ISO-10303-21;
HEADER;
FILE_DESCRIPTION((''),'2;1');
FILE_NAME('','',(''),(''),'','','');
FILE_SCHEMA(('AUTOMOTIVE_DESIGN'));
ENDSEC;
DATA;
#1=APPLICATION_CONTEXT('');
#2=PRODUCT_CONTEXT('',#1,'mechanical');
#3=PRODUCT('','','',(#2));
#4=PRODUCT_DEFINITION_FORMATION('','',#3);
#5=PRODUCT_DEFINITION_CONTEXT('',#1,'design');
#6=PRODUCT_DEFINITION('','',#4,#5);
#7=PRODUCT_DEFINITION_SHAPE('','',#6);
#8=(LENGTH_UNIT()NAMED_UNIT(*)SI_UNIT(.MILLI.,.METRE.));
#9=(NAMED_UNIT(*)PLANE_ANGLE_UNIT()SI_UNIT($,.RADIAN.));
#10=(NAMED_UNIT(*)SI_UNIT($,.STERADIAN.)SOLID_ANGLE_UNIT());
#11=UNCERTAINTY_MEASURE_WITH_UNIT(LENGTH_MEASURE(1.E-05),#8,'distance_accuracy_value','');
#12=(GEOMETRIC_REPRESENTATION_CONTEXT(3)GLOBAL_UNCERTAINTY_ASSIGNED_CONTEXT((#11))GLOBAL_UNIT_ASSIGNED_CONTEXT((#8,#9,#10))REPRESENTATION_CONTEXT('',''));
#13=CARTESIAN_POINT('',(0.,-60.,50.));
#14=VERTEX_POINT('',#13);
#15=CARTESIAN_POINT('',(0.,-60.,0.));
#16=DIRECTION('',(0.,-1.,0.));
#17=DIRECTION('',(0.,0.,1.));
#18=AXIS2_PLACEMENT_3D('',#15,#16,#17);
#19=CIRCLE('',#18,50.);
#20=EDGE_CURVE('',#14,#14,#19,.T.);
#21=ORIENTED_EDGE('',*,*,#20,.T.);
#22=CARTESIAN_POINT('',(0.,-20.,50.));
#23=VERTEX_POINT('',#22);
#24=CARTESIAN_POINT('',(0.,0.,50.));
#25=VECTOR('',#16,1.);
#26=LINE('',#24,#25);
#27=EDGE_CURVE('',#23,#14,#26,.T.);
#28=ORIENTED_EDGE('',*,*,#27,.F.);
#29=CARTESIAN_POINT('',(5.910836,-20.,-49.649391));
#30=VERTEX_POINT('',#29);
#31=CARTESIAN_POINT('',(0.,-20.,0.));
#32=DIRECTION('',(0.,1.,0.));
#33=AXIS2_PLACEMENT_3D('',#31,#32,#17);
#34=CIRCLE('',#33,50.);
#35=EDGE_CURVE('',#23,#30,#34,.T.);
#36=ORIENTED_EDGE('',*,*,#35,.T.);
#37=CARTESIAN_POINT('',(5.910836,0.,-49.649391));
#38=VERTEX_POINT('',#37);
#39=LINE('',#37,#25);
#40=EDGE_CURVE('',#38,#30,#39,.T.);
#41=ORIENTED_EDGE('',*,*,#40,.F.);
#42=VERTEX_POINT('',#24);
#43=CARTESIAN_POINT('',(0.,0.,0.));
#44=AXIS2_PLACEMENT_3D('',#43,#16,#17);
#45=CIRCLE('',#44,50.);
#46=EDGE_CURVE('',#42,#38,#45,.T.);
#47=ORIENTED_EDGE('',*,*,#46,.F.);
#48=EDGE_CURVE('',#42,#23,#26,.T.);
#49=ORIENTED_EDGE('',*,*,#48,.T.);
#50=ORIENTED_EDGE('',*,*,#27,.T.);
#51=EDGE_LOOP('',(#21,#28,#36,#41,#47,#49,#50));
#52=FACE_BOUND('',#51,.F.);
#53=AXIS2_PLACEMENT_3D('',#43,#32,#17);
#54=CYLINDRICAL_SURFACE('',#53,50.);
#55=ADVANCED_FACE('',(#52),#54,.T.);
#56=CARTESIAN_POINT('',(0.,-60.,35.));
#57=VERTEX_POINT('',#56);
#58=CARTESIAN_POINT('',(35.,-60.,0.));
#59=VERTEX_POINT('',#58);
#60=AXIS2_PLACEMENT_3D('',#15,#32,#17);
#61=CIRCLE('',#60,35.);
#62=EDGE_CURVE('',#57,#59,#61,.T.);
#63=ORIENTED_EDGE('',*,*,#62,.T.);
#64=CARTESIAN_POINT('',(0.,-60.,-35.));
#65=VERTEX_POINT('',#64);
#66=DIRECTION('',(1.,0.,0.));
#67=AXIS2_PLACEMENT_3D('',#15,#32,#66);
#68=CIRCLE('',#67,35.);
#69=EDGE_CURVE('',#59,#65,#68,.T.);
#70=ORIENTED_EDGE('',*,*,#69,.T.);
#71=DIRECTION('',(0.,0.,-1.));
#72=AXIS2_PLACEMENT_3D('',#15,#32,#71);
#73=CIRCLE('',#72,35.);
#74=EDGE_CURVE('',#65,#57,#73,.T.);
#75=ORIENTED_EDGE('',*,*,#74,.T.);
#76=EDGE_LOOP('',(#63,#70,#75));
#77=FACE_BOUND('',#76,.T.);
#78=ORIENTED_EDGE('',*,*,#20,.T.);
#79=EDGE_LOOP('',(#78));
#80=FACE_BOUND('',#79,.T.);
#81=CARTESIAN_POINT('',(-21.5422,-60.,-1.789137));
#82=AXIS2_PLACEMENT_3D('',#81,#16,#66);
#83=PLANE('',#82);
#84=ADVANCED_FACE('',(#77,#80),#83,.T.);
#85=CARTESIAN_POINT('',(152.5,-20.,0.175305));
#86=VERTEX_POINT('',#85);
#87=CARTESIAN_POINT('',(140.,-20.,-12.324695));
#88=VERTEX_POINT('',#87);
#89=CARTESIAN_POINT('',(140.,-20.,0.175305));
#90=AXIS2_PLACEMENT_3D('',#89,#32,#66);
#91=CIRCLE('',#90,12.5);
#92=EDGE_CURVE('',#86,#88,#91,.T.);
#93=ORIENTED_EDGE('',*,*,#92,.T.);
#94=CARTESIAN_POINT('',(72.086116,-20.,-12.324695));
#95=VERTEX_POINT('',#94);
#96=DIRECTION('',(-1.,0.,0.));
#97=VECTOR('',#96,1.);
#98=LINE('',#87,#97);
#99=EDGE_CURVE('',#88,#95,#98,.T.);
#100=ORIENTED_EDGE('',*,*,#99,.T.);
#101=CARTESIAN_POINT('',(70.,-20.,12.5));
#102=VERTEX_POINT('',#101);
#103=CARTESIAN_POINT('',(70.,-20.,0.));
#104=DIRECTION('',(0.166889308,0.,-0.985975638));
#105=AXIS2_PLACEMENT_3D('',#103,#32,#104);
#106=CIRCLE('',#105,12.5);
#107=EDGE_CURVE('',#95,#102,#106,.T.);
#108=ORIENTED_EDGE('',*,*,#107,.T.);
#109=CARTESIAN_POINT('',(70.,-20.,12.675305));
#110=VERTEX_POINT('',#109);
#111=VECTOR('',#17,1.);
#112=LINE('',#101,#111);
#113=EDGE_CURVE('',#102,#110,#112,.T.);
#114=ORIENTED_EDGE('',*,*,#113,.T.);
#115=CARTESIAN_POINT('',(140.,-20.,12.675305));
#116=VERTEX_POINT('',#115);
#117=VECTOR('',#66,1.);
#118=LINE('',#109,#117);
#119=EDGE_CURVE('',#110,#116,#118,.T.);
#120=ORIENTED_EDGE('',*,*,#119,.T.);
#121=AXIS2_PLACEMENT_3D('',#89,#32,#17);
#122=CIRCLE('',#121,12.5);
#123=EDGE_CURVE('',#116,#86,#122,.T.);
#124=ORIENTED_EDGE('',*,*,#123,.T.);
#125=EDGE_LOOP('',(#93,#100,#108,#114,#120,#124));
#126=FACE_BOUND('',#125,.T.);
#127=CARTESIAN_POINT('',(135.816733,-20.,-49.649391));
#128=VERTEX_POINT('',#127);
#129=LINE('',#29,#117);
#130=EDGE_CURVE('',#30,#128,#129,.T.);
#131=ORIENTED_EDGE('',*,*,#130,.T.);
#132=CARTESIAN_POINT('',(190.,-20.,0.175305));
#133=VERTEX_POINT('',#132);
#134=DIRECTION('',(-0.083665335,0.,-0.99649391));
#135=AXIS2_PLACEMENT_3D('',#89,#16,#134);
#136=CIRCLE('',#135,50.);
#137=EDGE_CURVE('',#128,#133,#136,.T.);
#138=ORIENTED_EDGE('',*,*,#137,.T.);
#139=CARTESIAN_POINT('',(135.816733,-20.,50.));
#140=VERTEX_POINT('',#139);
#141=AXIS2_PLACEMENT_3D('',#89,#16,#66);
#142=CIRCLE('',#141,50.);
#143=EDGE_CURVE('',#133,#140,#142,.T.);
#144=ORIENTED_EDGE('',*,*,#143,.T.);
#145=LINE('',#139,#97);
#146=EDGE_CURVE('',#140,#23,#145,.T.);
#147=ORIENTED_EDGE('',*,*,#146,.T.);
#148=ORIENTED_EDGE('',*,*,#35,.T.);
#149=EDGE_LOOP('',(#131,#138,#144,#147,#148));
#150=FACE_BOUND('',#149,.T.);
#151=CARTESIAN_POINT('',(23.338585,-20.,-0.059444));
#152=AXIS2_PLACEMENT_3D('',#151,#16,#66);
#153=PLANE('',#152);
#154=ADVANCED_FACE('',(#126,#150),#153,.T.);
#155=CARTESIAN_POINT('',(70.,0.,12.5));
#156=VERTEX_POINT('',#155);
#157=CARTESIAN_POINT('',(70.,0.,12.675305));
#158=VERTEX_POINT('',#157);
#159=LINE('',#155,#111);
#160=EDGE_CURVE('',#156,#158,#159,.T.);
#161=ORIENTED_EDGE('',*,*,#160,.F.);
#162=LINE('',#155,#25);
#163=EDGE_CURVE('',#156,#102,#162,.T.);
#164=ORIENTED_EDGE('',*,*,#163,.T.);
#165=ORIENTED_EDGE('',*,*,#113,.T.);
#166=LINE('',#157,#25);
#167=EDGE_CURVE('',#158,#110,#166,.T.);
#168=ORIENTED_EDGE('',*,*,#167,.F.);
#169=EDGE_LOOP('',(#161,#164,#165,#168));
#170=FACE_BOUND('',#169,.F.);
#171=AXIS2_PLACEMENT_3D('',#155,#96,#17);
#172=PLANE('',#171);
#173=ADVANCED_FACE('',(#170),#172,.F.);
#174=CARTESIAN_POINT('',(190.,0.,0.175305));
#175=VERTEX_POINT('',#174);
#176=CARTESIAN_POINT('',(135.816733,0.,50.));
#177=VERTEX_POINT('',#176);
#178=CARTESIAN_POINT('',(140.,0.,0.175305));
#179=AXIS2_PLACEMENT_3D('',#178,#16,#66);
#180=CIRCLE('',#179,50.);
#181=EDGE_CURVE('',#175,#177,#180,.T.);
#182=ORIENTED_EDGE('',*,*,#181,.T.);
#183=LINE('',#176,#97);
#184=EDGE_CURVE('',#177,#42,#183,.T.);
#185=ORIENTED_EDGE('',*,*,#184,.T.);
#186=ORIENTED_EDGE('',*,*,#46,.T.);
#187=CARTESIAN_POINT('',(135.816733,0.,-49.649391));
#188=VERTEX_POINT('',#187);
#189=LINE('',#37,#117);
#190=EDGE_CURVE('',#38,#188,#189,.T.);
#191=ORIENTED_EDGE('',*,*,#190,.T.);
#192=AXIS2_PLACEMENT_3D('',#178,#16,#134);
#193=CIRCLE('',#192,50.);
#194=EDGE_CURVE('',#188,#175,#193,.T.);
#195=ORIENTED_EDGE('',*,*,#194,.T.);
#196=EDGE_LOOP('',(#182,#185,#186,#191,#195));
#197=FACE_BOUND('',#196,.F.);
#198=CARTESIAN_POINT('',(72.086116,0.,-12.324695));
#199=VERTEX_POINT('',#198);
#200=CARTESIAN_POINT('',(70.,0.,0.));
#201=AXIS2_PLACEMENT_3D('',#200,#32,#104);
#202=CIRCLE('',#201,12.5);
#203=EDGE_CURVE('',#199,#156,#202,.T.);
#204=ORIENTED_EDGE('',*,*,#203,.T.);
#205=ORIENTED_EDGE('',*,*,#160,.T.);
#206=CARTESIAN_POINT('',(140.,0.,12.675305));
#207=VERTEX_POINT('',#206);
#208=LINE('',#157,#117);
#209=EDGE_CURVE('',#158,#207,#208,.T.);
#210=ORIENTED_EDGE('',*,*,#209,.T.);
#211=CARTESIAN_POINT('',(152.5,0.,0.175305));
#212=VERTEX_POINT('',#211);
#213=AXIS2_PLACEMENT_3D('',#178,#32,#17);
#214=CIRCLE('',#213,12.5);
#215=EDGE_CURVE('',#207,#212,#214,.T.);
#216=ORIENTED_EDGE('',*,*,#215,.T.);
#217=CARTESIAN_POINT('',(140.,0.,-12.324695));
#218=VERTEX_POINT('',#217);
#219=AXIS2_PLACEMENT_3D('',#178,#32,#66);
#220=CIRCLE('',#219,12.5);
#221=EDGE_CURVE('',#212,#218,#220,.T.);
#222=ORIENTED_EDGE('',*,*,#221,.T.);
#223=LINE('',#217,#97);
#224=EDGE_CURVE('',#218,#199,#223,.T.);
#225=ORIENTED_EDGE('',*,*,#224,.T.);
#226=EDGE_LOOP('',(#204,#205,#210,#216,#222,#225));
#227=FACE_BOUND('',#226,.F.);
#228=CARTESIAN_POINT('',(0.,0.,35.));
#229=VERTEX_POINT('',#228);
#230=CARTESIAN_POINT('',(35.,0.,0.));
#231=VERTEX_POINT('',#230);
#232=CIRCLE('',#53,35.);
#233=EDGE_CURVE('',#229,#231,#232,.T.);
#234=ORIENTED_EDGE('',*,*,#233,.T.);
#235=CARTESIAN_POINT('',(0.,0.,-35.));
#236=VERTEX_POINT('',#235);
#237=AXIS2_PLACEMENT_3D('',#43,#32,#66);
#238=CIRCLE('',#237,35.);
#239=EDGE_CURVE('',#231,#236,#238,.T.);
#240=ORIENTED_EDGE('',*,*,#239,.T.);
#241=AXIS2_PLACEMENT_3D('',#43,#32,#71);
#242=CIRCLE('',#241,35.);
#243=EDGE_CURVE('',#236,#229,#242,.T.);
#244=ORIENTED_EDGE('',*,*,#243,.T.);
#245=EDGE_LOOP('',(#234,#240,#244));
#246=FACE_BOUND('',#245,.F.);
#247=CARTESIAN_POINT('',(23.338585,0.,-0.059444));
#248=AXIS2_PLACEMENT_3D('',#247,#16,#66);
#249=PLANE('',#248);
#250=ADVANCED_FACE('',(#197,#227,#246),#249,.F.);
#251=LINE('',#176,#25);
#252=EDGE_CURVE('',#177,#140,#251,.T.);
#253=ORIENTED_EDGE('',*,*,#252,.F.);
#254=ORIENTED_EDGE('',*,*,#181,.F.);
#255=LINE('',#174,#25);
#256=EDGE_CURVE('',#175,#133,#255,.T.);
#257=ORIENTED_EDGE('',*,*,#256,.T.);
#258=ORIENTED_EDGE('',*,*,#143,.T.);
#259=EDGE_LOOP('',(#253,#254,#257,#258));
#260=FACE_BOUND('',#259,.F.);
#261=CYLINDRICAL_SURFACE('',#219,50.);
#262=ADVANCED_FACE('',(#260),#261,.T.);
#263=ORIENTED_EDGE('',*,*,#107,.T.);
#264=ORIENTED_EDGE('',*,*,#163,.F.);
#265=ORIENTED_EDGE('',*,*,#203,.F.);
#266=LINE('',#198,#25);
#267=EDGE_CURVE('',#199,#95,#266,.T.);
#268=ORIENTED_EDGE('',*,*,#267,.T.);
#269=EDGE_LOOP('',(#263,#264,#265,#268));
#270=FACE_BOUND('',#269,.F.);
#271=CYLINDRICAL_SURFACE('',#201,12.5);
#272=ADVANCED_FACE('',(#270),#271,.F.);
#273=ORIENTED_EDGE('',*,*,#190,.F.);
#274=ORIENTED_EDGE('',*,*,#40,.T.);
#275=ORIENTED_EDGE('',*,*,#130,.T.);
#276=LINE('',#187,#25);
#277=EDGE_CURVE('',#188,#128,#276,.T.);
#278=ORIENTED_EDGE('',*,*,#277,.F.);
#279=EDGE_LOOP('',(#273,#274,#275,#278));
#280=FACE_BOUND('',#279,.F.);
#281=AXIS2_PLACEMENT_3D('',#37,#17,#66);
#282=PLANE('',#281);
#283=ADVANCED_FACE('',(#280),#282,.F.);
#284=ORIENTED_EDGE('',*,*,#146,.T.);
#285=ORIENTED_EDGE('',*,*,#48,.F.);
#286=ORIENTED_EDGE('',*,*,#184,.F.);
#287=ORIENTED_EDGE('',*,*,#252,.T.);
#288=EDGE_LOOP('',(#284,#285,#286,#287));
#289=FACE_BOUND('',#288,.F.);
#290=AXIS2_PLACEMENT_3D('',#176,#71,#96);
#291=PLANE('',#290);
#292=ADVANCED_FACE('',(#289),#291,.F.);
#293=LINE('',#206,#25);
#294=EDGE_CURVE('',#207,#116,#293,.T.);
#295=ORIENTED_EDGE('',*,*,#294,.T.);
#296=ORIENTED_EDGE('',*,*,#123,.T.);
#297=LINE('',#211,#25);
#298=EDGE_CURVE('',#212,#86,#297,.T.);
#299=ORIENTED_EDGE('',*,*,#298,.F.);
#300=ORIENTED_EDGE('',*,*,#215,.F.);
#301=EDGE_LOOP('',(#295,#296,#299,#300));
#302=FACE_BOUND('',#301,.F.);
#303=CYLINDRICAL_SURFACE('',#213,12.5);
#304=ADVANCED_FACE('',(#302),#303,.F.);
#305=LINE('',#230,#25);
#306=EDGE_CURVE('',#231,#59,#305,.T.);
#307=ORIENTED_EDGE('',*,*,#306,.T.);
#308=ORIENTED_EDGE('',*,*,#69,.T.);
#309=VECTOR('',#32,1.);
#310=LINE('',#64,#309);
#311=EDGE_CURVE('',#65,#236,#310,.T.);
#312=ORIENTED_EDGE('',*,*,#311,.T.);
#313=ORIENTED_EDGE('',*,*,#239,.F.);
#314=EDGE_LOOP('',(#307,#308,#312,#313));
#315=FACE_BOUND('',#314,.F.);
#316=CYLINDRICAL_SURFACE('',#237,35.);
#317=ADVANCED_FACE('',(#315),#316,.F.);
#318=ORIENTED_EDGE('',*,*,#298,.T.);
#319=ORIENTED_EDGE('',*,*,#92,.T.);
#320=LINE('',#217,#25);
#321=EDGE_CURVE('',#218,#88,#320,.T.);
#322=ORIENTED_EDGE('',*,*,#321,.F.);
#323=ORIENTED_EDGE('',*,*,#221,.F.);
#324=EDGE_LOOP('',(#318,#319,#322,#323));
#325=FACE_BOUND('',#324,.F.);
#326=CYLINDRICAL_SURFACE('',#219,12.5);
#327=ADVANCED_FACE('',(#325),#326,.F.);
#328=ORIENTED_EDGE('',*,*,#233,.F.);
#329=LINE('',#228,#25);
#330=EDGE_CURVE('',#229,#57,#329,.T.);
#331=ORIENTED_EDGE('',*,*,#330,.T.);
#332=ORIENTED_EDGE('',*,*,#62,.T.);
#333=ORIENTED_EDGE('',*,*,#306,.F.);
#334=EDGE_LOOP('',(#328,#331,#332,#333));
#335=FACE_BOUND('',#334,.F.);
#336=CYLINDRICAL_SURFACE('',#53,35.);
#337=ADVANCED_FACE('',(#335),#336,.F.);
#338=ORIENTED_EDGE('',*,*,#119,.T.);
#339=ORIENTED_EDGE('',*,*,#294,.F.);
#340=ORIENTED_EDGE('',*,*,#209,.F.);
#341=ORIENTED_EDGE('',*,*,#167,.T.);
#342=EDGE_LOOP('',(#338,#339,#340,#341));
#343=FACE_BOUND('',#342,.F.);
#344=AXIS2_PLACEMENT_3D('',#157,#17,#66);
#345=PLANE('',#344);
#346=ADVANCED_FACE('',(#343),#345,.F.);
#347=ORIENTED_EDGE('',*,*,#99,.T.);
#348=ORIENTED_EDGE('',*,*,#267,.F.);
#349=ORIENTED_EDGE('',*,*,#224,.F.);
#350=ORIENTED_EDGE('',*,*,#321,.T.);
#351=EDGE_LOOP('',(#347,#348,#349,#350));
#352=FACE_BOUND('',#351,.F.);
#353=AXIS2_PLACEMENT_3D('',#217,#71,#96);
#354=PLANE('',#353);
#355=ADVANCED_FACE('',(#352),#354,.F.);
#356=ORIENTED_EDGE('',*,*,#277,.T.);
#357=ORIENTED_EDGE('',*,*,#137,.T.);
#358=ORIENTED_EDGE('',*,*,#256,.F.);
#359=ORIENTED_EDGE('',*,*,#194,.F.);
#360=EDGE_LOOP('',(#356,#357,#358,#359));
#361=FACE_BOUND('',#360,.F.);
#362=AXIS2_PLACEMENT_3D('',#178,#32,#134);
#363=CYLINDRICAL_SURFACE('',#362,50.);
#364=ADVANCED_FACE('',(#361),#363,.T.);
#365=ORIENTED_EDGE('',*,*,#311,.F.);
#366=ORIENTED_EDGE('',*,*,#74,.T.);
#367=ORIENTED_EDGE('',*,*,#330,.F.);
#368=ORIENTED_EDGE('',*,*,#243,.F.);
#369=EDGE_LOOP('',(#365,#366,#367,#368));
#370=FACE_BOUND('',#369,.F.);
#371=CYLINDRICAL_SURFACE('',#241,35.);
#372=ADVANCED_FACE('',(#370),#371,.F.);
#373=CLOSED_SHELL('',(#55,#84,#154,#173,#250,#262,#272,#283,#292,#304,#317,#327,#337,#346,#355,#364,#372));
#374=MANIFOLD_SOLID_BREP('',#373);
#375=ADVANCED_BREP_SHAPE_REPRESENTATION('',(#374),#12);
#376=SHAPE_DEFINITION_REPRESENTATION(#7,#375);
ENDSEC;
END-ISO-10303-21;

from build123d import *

# Parameters (mm, degrees)
F1_DEPTH = 60
F2_DEPTH = 20


with BuildPart() as f1:
    # F0 (on Front) → F1 (new body)
    with BuildSketch(Plane.XZ):
        with BuildLine():
            ThreePointArc((0, -35), (-35, 0), (0, 35))
            Line((0, 35), (0, 50))
            ThreePointArc((0, 50), (-49.9122707735, -2.9606124755), (5.9108356613, -49.6493909508))
            Line((5.9108356613, -49.6493909508), (0, -49.6493909508))
            Line((0, -49.6493909508), (0, -35))
        make_face()
        with BuildLine():
            ThreePointArc((0, 35), (24.7487373415, 24.7487373415), (35, 0))
            ThreePointArc((35, 0), (24.7487373415, -24.7487373415), (0, -35))
            Line((0, -35), (0, -49.6493909508))
            Line((0, -49.6493909508), (5.9108356613, -49.6493909508))
            ThreePointArc((5.9108356613, -49.6493909508), (37.3867742863, -33.1998359705), (50, 0))
            ThreePointArc((50, 0), (35.3553390593, 35.3553390593), (0, 50))
            Line((0, 50), (0, 35))
        make_face()
    extrude(amount=F1_DEPTH)

    # F0 (on Front) → F2 (join)
    with BuildSketch(Plane.XZ):
        with BuildLine():
            ThreePointArc((0, 35), (24.7487373415, 24.7487373415), (35, 0))
            ThreePointArc((35, 0), (24.7487373415, -24.7487373415), (0, -35))
            Line((0, -35), (0, -49.6493909508))
            Line((0, -49.6493909508), (5.9108356613, -49.6493909508))
            ThreePointArc((5.9108356613, -49.6493909508), (37.3867742863, -33.1998359705), (50, 0))
            ThreePointArc((50, 0), (35.3553390593, 35.3553390593), (0, 50))
            Line((0, 50), (0, 35))
        make_face()
        with BuildLine():
            ThreePointArc((0, -35), (-35, 0), (0, 35))
            Line((0, 35), (0, 50))
            ThreePointArc((0, 50), (-49.9122707735, -2.9606124755), (5.9108356613, -49.6493909508))
            Line((5.9108356613, -49.6493909508), (0, -49.6493909508))
            Line((0, -49.6493909508), (0, -35))
        make_face()
        with BuildLine():
            Line((135.8167332402, 50), (0, 50))
            ThreePointArc((0, 50), (35.3553390593, 35.3553390593), (50, 0))
            ThreePointArc((50, 0), (37.3867742863, -33.1998359705), (5.9108356613, -49.6493909508))
            Line((5.9108356613, -49.6493909508), (135.8167332402, -49.6493909508))
            ThreePointArc((135.8167332402, -49.6493909508), (107.7531952147, -38.0365206233), (91.5877081724, -12.3246954754))
            Line((91.5877081724, -12.3246954754), (72.0861163531, -12.3246954754))
            ThreePointArc((72.0861163531, -12.3246954754), (57.5439032309, -1.0467345789), (70, 12.5))
            Line((70, 12.5), (70, 12.6753045246))
            Line((70, 12.6753045246), (91.5877081724, 12.6753045246))
            ThreePointArc((91.5877081724, 12.6753045246), (107.7531952147, 38.3871296725), (135.8167332402, 50))
        make_face()
        with BuildLine():
            ThreePointArc((190, 0.1753045246), (173.8440294735, 36.9799464736), (135.8167332402, 50))
            Line((135.8167332402, 50), (140, 50))
            Line((140, 50), (140, 12.6753045246))
            ThreePointArc((140, 12.6753045246), (148.8388347648, 9.0141392894), (152.5, 0.1753045246))
            ThreePointArc((152.5, 0.1753045246), (148.8388347648, -8.6635302402), (140, -12.3246954754))
            Line((140, -12.3246954754), (140, -49.6493909508))
            Line((140, -49.6493909508), (135.8167332402, -49.6493909508))
            ThreePointArc((135.8167332402, -49.6493909508), (173.8440294735, -36.6293374244), (190, 0.1753045246))
        make_face()
        with BuildLine():
            Line((140, 50), (135.8167332402, 50))
            ThreePointArc((135.8167332402, 50), (107.7531952147, 38.3871296725), (91.5877081724, 12.6753045246))
            Line((91.5877081724, 12.6753045246), (140, 12.6753045246))
            Line((140, 12.6753045246), (140, 50))
        make_face()
        with BuildLine():
            ThreePointArc((91.5877081724, -12.3246954754), (107.7531952147, -38.0365206233), (135.8167332402, -49.6493909508))
            Line((135.8167332402, -49.6493909508), (140, -49.6493909508))
            Line((140, -49.6493909508), (140, -12.3246954754))
            Line((140, -12.3246954754), (91.5877081724, -12.3246954754))
        make_face()
    extrude(amount=F2_DEPTH)


solid = f1.part
